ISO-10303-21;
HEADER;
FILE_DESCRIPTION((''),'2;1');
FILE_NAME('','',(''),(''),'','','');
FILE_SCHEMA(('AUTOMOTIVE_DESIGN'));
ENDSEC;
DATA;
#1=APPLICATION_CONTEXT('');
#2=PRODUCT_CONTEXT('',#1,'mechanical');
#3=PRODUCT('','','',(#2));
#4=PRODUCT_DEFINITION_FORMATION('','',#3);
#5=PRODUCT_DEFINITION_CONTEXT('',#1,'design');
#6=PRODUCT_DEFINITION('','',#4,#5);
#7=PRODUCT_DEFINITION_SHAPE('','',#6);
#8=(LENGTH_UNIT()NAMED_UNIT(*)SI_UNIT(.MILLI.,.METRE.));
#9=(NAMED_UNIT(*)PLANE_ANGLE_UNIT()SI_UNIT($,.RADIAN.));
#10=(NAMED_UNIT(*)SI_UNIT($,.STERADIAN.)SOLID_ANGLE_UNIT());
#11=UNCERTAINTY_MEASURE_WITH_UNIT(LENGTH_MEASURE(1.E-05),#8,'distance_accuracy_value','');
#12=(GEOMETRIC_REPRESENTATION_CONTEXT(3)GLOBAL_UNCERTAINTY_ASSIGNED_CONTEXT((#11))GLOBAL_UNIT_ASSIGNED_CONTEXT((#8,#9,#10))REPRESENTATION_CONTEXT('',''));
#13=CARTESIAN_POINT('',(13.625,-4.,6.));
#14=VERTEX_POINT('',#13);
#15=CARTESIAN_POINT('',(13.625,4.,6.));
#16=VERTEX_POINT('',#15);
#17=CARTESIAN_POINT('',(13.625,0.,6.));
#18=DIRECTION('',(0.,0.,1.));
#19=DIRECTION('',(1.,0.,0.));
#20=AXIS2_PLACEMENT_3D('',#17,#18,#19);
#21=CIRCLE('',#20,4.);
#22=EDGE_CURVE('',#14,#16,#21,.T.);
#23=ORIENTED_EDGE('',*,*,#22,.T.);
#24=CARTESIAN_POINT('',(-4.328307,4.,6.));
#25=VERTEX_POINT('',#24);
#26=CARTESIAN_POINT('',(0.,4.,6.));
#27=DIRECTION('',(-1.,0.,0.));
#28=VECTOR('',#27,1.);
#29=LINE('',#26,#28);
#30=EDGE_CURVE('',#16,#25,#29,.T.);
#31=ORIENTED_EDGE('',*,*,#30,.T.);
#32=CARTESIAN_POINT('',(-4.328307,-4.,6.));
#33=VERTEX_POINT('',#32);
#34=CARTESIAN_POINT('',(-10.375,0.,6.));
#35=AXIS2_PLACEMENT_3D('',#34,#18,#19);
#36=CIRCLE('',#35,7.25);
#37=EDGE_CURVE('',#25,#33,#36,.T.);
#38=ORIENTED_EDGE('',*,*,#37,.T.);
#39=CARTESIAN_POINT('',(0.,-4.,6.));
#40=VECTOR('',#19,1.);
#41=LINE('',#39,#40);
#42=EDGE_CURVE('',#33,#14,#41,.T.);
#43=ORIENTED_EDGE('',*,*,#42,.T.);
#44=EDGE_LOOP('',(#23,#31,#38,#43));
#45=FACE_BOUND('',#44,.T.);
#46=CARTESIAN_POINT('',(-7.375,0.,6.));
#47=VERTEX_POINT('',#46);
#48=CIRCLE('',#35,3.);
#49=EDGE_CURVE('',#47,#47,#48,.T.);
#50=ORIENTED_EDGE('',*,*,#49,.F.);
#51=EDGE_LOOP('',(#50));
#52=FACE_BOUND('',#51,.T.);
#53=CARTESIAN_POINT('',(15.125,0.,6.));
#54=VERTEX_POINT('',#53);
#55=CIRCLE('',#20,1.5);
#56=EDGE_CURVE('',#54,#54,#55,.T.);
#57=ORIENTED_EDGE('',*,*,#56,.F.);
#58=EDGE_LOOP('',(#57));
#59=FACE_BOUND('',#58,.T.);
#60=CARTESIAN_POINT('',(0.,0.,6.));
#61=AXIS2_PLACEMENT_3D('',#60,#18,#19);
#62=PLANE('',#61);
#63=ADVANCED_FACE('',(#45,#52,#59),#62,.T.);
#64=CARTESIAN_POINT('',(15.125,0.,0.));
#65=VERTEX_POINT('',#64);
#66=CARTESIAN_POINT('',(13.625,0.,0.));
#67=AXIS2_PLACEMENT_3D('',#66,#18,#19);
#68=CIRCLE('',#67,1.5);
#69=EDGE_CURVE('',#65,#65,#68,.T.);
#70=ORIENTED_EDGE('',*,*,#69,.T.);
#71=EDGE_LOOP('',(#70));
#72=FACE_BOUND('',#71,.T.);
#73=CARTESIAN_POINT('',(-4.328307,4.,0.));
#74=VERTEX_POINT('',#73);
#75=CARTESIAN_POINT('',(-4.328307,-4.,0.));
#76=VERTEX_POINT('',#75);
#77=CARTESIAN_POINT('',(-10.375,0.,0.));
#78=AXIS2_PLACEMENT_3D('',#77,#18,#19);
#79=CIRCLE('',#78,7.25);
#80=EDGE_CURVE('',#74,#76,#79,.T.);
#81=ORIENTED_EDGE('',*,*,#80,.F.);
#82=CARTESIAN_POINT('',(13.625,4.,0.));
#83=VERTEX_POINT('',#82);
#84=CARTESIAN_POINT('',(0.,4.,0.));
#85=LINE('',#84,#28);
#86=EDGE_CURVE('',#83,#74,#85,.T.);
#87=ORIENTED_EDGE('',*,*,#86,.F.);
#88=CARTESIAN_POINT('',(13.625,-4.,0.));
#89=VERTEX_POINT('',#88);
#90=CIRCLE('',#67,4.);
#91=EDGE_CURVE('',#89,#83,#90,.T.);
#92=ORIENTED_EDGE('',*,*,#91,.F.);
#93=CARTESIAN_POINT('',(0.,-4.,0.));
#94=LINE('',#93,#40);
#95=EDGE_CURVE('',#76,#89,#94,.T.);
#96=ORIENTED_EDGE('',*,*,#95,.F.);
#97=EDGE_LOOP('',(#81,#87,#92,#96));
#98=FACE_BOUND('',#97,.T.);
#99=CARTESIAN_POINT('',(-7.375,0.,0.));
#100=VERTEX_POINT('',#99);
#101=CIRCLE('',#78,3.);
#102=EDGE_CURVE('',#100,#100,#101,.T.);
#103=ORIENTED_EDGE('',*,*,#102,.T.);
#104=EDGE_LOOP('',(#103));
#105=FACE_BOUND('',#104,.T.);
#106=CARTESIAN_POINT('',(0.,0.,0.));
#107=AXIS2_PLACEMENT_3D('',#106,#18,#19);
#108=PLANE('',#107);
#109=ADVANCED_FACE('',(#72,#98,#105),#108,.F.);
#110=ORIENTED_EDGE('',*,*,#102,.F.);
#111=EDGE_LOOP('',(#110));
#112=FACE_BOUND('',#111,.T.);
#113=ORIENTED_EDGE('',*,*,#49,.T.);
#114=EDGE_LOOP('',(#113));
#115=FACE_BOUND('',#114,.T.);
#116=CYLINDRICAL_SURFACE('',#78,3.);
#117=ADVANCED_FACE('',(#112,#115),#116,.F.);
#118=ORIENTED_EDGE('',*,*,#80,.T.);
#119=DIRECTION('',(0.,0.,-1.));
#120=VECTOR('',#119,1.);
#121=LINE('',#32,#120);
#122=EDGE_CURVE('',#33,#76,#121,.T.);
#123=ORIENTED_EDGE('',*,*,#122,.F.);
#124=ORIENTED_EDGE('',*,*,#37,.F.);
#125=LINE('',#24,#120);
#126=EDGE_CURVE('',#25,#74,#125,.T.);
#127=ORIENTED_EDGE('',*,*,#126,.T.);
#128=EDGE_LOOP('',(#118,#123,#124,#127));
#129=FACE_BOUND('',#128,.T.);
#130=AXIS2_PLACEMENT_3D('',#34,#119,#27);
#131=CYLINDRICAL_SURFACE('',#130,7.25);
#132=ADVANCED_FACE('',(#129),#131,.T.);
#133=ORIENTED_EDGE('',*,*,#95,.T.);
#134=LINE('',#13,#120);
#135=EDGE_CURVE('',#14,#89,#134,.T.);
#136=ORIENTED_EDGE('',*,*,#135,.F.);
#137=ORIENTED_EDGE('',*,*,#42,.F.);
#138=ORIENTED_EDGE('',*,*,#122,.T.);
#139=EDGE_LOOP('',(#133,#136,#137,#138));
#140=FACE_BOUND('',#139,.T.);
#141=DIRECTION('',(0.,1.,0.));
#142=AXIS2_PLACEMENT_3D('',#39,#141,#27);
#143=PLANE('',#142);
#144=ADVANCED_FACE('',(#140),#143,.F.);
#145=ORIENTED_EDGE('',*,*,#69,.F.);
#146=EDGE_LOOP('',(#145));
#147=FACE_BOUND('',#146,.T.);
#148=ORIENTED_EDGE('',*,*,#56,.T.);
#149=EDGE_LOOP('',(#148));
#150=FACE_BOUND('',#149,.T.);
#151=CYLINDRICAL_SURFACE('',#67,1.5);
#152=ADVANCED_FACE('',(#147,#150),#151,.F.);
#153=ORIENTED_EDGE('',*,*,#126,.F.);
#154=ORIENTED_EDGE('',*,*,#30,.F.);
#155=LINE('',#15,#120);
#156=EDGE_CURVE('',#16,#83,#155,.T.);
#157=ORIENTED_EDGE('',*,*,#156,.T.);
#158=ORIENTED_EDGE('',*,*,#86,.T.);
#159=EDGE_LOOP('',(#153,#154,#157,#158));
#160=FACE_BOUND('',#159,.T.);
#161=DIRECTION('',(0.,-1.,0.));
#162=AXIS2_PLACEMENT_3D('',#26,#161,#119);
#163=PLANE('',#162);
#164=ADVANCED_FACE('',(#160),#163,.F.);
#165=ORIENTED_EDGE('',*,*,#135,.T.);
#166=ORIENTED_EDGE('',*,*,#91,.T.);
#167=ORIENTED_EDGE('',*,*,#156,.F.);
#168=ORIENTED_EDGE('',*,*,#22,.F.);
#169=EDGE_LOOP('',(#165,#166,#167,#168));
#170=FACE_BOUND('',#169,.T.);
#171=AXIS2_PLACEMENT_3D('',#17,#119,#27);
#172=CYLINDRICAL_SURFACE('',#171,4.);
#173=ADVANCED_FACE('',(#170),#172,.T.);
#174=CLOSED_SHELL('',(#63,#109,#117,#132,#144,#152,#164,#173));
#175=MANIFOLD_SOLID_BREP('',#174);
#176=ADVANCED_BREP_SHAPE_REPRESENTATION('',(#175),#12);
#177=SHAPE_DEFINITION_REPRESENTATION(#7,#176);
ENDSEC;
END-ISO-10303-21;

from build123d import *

# Parameters (mm, degrees)
SKETCH_1_R          = 7.25
SKETCH_1_R_2        = 4
EXTRUDE_1_DEPTH     = 6
SKETCH_2_R          = 3
SKETCH_2_R_2        = 1.5
CUT_EXTRUDE_1_DEPTH = 6


with BuildPart() as part:
    # 草图1 → 凸台-拉伸1 (new body)
    with BuildSketch(Plane.XY):
        with Locations((-10.375, 0)):
            Circle(SKETCH_1_R)
        with BuildLine():
            ThreePointArc((13.625, -4), (9.625, 0), (13.625, 4))
            Line((13.625, 4), (-4.328306689, 4))
            ThreePointArc((-4.328306689, 4), (-3.432341053, 2.088536987), (-3.125, 0))
            ThreePointArc((-3.125, 0), (-3.432341053, -2.088536987), (-4.328306689, -4))
            Line((-4.328306689, -4), (13.625, -4))
        make_face()
        with Locations((13.625, 0)):
            Circle(SKETCH_1_R_2)
    extrude(amount=EXTRUDE_1_DEPTH)

    # 草图2 → 切除-拉伸1 (cut)
    with BuildSketch(Plane.XY.offset(6)):
        with Locations((-10.375, 0)):
            Circle(SKETCH_2_R)
        with Locations((13.625, 0)):
            Circle(SKETCH_2_R_2)
    extrude(amount=-CUT_EXTRUDE_1_DEPTH, mode=Mode.SUBTRACT)


solid = part.part
